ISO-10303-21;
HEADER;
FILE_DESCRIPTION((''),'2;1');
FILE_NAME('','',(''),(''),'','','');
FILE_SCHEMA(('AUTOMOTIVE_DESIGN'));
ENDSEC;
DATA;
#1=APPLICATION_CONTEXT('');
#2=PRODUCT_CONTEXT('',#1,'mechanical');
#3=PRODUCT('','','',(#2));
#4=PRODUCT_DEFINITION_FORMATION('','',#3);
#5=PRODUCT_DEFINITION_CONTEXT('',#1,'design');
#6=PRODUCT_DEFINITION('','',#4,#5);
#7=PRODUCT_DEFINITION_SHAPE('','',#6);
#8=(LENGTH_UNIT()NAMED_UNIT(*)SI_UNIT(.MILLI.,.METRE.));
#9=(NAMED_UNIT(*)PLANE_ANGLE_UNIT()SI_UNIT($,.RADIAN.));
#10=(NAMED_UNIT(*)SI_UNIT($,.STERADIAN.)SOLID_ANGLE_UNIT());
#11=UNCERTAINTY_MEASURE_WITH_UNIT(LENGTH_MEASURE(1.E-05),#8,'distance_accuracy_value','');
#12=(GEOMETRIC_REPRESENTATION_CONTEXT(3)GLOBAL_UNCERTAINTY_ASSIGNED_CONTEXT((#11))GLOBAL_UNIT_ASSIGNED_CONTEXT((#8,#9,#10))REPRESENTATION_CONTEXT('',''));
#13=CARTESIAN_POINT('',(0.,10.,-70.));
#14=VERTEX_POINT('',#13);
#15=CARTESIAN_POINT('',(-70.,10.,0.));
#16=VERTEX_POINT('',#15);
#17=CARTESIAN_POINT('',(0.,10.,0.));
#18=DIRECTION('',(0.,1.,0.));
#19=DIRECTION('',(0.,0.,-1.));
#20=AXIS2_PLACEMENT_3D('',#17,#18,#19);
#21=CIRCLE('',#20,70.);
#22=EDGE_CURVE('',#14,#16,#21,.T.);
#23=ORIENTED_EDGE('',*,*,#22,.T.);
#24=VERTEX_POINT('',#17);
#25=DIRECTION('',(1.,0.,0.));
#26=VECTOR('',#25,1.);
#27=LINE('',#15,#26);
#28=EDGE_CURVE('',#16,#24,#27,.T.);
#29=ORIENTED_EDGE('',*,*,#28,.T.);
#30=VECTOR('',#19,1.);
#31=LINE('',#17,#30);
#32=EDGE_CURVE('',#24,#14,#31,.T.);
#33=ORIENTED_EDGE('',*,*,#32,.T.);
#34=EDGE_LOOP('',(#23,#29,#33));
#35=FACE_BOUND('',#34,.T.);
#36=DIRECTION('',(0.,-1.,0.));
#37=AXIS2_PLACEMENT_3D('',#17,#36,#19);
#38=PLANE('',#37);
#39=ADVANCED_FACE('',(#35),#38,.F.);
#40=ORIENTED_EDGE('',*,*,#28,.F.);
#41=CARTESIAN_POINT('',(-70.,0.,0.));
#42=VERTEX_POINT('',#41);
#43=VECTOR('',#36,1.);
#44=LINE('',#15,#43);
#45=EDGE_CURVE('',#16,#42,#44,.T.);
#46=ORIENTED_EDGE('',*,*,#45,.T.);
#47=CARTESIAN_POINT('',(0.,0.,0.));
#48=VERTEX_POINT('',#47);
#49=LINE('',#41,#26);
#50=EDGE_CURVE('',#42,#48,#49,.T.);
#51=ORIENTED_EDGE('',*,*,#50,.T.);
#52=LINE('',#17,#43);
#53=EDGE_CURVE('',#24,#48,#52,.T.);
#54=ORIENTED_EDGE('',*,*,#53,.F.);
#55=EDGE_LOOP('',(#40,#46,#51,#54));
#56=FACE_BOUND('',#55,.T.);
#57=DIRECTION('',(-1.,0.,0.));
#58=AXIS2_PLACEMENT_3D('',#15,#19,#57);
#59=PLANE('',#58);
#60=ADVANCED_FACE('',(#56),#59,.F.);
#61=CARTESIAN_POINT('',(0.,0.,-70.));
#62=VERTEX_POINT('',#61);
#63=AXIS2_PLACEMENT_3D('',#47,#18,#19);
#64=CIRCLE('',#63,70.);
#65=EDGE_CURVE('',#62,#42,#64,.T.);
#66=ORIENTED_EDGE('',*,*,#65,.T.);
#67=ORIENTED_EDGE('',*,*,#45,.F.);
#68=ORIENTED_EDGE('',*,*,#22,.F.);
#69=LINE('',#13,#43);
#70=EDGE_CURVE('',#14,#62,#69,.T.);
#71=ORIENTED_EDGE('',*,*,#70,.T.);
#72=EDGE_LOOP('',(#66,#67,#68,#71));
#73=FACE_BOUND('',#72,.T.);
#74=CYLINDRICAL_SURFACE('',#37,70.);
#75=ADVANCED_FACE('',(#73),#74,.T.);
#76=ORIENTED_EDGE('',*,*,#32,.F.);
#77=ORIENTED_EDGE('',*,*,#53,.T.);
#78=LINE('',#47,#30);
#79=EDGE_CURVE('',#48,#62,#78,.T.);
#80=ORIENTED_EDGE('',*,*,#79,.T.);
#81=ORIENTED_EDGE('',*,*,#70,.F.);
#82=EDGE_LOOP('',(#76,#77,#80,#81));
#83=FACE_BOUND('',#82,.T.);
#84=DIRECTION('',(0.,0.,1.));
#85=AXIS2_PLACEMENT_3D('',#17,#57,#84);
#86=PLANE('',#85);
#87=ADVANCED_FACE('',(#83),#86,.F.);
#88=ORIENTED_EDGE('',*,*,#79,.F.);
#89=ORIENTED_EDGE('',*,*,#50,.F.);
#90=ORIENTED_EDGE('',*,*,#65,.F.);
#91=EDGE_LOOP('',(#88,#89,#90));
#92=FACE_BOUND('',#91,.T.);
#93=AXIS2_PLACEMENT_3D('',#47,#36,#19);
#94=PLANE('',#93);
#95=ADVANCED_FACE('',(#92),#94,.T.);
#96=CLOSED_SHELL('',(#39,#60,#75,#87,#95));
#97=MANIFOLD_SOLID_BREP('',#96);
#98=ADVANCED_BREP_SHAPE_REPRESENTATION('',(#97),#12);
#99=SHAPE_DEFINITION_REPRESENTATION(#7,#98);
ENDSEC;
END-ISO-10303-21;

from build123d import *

# Parameters (mm, degrees)
BOSS_EXTRUDE1_DEPTH = 10


with BuildPart() as part:
    # Sketch1 → Boss-Extrude1 (new body)
    with BuildSketch(Plane(origin=(0, 0, 0), x_dir=(1, 0, 0), z_dir=(0, 1, 0))):
        with BuildLine():
            Line((-70, 0), (0, 0))
            Line((0, 0), (0, 70))
            ThreePointArc((0, 70), (-49.497474683, 49.497474683), (-70, 0))
        make_face()
    extrude(amount=BOSS_EXTRUDE1_DEPTH)


solid = part.part
